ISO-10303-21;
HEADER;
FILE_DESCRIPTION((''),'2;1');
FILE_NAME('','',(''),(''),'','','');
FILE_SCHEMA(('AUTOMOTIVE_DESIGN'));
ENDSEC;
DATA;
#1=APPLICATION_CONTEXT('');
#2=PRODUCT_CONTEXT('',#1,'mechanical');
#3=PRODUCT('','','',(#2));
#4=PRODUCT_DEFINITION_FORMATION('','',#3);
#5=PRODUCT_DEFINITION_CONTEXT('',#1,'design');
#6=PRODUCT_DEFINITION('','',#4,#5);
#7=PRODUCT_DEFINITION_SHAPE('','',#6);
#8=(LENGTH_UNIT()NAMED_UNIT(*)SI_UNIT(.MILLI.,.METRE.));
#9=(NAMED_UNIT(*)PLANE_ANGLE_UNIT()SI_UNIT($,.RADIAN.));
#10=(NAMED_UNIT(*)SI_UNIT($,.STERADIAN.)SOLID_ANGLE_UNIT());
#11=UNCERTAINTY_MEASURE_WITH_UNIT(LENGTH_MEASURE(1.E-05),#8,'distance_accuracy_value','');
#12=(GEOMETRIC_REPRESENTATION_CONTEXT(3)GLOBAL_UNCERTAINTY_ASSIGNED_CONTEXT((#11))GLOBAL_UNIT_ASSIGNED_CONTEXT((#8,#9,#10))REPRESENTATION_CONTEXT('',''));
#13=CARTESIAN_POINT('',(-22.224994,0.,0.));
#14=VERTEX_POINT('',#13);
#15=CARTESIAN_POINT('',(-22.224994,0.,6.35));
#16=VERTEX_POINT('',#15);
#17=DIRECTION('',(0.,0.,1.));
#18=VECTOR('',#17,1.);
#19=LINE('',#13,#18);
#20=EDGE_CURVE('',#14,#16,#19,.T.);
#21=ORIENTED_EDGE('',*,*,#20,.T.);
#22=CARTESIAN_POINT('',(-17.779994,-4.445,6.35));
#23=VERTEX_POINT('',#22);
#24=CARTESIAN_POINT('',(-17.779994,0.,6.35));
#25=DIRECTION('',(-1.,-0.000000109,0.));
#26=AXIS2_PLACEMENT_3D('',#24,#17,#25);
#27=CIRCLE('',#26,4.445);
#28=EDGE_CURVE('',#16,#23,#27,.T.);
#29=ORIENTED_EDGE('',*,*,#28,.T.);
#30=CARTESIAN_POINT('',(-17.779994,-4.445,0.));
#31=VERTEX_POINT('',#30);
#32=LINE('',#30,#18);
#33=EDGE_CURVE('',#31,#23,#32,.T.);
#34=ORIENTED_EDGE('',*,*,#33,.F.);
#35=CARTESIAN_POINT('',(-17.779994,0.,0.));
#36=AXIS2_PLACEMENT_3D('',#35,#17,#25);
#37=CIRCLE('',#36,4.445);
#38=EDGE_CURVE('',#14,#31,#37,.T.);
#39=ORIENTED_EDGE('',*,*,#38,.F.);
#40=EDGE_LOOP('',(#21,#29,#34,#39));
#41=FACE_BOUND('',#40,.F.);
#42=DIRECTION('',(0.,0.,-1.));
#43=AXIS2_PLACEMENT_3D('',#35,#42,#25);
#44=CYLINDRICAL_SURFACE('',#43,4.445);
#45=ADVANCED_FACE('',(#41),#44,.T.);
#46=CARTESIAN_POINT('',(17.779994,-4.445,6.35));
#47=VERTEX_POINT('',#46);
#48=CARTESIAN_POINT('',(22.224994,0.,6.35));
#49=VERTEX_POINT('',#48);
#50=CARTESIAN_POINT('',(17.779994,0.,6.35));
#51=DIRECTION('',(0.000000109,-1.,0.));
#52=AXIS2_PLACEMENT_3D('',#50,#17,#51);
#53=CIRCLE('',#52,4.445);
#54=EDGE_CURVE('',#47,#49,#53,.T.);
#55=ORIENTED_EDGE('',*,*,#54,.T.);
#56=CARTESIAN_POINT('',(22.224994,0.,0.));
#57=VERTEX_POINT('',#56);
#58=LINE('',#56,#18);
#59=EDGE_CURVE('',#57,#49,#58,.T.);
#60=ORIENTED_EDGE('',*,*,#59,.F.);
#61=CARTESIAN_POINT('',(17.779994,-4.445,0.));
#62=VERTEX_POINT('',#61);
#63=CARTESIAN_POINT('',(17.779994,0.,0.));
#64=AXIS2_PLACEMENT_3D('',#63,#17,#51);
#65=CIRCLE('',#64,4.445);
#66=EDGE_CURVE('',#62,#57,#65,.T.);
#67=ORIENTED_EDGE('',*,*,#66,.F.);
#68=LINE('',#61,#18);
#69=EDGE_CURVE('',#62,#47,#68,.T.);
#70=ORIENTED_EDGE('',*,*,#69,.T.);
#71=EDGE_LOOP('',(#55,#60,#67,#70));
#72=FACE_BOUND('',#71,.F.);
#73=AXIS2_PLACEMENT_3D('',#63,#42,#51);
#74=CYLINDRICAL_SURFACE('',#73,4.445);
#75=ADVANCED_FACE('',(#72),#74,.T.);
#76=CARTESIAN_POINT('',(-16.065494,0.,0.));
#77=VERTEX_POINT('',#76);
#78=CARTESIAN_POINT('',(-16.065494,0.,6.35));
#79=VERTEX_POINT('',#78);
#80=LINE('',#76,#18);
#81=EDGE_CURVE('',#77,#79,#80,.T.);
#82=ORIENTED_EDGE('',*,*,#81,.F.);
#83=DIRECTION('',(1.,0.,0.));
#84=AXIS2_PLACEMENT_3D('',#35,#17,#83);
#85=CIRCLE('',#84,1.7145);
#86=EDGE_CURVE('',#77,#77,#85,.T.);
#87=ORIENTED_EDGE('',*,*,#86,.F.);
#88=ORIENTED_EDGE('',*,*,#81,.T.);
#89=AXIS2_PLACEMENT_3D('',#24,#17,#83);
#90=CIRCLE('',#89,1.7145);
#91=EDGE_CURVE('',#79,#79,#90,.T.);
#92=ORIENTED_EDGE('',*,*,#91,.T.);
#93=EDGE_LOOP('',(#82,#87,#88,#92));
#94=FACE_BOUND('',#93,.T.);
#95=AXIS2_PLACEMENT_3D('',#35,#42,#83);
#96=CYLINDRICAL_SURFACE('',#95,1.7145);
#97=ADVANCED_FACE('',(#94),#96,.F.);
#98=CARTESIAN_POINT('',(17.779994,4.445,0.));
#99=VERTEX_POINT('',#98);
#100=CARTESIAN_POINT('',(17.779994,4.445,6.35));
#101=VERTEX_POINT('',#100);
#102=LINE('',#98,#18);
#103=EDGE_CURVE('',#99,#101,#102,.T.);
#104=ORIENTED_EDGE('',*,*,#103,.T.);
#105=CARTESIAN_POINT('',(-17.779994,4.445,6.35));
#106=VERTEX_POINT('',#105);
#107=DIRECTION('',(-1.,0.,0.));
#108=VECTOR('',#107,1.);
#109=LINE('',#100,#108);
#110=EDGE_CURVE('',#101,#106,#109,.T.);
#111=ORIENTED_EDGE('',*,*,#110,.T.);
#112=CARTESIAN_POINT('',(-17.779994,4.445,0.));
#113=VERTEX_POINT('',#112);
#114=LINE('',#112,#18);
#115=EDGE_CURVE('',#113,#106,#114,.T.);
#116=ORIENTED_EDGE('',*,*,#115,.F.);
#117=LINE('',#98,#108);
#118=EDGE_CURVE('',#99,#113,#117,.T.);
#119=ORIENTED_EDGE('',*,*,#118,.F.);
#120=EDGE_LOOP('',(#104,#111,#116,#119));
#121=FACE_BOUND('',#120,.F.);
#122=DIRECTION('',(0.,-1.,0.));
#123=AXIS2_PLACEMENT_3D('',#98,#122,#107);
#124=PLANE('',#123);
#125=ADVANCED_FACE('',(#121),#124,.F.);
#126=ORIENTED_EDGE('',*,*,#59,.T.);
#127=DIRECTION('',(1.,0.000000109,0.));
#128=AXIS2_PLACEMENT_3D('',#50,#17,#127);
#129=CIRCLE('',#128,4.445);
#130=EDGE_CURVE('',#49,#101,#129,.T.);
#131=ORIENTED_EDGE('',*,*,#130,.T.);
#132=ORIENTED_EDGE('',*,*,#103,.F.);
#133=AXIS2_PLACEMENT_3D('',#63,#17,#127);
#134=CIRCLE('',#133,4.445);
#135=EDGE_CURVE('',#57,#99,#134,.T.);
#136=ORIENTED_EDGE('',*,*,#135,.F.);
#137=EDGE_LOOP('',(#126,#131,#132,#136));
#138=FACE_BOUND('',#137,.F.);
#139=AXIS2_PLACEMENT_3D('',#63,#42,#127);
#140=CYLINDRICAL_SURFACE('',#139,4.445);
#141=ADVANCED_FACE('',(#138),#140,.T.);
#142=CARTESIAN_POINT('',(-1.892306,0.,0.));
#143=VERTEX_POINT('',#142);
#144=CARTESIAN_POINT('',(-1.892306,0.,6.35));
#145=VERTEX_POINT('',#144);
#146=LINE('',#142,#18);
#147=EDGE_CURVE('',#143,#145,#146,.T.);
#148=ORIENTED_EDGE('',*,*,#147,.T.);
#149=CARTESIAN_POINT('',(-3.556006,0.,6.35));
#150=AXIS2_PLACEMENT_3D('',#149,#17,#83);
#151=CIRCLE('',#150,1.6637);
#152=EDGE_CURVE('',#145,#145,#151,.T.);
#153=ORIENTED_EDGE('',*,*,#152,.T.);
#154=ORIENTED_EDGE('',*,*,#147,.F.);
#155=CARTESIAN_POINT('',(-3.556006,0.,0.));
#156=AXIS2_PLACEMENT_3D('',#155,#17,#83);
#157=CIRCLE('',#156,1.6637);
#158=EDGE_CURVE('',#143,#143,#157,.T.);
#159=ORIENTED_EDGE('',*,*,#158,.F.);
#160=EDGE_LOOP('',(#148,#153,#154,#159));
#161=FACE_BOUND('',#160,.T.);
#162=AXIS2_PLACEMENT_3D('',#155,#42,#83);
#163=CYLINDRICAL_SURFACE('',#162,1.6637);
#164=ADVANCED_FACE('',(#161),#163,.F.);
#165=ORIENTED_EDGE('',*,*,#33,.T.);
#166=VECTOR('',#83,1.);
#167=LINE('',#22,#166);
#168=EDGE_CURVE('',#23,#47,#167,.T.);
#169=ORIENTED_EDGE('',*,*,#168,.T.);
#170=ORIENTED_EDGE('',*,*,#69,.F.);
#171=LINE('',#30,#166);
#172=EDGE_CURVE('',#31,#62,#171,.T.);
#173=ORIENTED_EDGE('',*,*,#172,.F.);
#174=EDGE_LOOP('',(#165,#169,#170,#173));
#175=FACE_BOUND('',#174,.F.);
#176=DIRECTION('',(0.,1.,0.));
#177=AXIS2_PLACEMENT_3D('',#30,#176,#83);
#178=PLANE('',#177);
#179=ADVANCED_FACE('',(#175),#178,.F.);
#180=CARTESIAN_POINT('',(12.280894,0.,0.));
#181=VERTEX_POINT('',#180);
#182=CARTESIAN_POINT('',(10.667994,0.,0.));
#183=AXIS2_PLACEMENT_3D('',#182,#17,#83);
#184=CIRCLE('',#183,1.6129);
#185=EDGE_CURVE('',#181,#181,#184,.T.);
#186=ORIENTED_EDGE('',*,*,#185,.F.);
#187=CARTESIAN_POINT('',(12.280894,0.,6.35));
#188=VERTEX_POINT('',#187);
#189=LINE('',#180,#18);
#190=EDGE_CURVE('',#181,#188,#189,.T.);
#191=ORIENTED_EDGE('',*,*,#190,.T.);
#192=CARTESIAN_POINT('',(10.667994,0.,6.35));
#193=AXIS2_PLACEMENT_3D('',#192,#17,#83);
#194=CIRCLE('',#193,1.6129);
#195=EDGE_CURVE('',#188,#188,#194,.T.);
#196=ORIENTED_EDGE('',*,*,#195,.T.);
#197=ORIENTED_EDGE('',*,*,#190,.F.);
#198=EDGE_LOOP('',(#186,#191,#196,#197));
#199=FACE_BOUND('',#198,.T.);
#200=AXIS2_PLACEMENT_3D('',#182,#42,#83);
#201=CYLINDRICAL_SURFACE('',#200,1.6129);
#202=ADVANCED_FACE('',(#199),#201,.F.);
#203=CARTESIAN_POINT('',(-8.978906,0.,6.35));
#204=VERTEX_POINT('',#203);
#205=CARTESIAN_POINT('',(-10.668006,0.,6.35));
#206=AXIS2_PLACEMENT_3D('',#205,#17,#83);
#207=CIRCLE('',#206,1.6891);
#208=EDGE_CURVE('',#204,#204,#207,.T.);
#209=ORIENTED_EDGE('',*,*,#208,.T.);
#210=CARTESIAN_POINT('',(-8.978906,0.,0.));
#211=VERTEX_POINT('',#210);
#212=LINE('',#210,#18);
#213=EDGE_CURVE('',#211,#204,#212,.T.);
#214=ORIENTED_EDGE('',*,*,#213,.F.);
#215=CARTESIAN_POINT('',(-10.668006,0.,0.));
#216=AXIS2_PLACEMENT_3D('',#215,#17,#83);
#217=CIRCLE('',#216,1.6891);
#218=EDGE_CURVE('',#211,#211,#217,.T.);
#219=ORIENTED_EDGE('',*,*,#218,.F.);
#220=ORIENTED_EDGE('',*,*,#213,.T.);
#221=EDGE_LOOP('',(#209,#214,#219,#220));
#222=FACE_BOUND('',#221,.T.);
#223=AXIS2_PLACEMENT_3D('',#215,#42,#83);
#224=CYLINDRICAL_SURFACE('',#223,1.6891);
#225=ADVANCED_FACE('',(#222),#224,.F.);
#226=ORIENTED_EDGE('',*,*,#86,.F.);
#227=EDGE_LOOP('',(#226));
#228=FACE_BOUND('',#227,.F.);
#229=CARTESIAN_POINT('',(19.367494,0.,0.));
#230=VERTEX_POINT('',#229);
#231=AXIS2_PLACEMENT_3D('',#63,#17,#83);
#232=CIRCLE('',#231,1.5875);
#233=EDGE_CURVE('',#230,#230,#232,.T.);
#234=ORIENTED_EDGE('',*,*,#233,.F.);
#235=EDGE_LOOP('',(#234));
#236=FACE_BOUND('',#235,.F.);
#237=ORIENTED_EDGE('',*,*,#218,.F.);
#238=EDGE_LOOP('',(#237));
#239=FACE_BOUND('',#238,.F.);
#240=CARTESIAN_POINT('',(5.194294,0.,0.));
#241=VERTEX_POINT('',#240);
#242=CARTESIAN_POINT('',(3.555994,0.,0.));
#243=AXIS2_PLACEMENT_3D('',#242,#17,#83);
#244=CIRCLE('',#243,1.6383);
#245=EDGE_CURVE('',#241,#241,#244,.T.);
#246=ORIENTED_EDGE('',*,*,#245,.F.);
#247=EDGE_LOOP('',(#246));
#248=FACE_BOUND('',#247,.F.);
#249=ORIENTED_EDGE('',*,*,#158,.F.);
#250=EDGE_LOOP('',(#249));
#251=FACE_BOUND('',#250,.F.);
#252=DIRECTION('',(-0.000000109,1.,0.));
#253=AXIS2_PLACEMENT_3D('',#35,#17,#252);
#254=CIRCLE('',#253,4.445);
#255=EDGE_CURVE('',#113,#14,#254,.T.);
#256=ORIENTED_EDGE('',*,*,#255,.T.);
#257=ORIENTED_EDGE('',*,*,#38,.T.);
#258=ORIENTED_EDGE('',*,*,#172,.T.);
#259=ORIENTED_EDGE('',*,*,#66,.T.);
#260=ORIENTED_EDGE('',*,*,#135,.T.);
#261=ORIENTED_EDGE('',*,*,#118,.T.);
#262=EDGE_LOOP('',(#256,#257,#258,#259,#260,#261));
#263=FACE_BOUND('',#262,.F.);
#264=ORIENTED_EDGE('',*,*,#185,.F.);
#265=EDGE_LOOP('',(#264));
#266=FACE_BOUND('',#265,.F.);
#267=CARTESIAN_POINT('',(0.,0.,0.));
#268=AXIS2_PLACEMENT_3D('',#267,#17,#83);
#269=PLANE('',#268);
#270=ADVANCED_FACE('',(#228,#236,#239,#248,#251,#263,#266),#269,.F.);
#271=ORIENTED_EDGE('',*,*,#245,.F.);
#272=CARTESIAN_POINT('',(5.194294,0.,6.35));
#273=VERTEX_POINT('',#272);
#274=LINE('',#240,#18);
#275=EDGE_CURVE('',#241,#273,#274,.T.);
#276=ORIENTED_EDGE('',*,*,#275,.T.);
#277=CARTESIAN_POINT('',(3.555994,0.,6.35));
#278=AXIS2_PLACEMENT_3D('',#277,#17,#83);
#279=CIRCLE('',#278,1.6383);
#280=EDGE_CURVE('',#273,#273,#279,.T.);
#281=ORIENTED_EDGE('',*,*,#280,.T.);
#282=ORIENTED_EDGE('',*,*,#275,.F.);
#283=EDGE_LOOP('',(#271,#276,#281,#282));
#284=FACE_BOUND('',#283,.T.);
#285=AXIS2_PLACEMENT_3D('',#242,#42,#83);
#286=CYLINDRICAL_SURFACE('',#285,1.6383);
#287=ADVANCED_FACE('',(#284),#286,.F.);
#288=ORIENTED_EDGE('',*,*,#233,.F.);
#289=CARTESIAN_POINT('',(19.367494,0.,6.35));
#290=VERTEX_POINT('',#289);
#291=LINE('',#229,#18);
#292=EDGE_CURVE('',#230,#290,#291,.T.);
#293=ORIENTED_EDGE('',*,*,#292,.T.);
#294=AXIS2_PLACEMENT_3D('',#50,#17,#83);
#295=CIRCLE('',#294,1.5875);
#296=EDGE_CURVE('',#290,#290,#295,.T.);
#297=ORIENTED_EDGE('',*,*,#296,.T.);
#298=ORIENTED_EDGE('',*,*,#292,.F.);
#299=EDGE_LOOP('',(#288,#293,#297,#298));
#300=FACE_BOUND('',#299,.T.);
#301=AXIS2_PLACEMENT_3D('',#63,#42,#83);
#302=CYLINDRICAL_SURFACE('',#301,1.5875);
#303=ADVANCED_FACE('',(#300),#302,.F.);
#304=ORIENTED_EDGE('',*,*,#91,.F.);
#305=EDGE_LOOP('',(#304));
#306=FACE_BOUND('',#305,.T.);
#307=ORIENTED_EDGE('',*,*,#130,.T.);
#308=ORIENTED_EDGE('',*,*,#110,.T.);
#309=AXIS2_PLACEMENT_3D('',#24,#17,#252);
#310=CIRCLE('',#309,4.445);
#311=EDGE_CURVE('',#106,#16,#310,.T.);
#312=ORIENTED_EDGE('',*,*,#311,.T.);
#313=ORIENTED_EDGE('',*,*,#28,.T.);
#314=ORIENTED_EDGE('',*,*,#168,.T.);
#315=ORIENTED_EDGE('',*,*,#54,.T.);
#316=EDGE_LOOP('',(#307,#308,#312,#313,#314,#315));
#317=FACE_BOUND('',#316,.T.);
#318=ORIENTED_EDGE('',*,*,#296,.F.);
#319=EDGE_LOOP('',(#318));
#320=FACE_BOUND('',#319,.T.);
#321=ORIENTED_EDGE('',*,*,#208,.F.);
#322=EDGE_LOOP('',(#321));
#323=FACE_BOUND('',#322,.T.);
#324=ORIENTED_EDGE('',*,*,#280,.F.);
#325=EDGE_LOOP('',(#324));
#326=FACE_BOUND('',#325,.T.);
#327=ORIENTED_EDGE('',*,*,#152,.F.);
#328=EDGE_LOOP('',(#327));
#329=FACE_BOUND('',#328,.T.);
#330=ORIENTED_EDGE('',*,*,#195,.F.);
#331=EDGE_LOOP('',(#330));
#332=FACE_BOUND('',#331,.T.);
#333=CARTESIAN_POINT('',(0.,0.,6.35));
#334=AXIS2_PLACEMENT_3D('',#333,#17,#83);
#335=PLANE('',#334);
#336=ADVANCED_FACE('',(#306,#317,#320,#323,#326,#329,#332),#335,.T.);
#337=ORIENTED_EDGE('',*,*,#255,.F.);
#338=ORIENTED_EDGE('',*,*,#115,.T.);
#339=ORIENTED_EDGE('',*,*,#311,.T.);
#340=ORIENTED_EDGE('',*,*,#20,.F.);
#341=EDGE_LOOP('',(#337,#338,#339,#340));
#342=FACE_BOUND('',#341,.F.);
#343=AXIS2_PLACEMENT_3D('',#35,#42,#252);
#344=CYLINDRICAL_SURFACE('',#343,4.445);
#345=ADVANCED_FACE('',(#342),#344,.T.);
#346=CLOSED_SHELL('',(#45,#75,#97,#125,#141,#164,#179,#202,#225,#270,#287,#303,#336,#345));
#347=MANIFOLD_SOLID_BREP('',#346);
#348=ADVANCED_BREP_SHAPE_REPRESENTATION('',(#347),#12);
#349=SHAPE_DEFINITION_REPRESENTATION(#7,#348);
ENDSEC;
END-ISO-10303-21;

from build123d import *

# Parameters (mm, degrees)
F0_R     = 1.7145
F0_R_2   = 1.6891
F0_R_3   = 1.6637
F0_R_4   = 1.6383
F0_R_5   = 1.6129
F0_R_6   = 1.5875
F1_DEPTH = 6.35


with BuildPart() as f1:
    # F0 (on Top) → F1 (new body)
    with BuildSketch(Plane.XY):
        with BuildLine():
            Line((17.779994, 4.445), (0, 4.445))
            Line((0, 4.445), (-17.779994, 4.445))
            ThreePointArc((-17.779994, 4.445), (-20.923083, 3.14309), (-22.224994, 0))
            ThreePointArc((-22.224994, 0), (-20.923083, -3.14309), (-17.779994, -4.445))
            Line((-17.779994, -4.445), (0, -4.445))
            Line((0, -4.445), (17.779994, -4.445))
            ThreePointArc((17.779994, -4.445), (20.923083, -3.14309), (22.224994, 0))
            ThreePointArc((22.224994, 0), (20.923083, 3.14309), (17.779994, 4.445))
        make_face()
        with Locations((-17.779994, 0)):
            Circle(F0_R, mode=Mode.SUBTRACT)
        with Locations((-10.668006, 0)):
            Circle(F0_R_2, mode=Mode.SUBTRACT)
        with Locations((-3.556006, 0)):
            Circle(F0_R_3, mode=Mode.SUBTRACT)
        with Locations((3.555994, 0)):
            Circle(F0_R_4, mode=Mode.SUBTRACT)
        with Locations((10.667994, 0)):
            Circle(F0_R_5, mode=Mode.SUBTRACT)
        with Locations((17.779994, 0)):
            Circle(F0_R_6, mode=Mode.SUBTRACT)
    extrude(amount=F1_DEPTH)


solid = f1.part
